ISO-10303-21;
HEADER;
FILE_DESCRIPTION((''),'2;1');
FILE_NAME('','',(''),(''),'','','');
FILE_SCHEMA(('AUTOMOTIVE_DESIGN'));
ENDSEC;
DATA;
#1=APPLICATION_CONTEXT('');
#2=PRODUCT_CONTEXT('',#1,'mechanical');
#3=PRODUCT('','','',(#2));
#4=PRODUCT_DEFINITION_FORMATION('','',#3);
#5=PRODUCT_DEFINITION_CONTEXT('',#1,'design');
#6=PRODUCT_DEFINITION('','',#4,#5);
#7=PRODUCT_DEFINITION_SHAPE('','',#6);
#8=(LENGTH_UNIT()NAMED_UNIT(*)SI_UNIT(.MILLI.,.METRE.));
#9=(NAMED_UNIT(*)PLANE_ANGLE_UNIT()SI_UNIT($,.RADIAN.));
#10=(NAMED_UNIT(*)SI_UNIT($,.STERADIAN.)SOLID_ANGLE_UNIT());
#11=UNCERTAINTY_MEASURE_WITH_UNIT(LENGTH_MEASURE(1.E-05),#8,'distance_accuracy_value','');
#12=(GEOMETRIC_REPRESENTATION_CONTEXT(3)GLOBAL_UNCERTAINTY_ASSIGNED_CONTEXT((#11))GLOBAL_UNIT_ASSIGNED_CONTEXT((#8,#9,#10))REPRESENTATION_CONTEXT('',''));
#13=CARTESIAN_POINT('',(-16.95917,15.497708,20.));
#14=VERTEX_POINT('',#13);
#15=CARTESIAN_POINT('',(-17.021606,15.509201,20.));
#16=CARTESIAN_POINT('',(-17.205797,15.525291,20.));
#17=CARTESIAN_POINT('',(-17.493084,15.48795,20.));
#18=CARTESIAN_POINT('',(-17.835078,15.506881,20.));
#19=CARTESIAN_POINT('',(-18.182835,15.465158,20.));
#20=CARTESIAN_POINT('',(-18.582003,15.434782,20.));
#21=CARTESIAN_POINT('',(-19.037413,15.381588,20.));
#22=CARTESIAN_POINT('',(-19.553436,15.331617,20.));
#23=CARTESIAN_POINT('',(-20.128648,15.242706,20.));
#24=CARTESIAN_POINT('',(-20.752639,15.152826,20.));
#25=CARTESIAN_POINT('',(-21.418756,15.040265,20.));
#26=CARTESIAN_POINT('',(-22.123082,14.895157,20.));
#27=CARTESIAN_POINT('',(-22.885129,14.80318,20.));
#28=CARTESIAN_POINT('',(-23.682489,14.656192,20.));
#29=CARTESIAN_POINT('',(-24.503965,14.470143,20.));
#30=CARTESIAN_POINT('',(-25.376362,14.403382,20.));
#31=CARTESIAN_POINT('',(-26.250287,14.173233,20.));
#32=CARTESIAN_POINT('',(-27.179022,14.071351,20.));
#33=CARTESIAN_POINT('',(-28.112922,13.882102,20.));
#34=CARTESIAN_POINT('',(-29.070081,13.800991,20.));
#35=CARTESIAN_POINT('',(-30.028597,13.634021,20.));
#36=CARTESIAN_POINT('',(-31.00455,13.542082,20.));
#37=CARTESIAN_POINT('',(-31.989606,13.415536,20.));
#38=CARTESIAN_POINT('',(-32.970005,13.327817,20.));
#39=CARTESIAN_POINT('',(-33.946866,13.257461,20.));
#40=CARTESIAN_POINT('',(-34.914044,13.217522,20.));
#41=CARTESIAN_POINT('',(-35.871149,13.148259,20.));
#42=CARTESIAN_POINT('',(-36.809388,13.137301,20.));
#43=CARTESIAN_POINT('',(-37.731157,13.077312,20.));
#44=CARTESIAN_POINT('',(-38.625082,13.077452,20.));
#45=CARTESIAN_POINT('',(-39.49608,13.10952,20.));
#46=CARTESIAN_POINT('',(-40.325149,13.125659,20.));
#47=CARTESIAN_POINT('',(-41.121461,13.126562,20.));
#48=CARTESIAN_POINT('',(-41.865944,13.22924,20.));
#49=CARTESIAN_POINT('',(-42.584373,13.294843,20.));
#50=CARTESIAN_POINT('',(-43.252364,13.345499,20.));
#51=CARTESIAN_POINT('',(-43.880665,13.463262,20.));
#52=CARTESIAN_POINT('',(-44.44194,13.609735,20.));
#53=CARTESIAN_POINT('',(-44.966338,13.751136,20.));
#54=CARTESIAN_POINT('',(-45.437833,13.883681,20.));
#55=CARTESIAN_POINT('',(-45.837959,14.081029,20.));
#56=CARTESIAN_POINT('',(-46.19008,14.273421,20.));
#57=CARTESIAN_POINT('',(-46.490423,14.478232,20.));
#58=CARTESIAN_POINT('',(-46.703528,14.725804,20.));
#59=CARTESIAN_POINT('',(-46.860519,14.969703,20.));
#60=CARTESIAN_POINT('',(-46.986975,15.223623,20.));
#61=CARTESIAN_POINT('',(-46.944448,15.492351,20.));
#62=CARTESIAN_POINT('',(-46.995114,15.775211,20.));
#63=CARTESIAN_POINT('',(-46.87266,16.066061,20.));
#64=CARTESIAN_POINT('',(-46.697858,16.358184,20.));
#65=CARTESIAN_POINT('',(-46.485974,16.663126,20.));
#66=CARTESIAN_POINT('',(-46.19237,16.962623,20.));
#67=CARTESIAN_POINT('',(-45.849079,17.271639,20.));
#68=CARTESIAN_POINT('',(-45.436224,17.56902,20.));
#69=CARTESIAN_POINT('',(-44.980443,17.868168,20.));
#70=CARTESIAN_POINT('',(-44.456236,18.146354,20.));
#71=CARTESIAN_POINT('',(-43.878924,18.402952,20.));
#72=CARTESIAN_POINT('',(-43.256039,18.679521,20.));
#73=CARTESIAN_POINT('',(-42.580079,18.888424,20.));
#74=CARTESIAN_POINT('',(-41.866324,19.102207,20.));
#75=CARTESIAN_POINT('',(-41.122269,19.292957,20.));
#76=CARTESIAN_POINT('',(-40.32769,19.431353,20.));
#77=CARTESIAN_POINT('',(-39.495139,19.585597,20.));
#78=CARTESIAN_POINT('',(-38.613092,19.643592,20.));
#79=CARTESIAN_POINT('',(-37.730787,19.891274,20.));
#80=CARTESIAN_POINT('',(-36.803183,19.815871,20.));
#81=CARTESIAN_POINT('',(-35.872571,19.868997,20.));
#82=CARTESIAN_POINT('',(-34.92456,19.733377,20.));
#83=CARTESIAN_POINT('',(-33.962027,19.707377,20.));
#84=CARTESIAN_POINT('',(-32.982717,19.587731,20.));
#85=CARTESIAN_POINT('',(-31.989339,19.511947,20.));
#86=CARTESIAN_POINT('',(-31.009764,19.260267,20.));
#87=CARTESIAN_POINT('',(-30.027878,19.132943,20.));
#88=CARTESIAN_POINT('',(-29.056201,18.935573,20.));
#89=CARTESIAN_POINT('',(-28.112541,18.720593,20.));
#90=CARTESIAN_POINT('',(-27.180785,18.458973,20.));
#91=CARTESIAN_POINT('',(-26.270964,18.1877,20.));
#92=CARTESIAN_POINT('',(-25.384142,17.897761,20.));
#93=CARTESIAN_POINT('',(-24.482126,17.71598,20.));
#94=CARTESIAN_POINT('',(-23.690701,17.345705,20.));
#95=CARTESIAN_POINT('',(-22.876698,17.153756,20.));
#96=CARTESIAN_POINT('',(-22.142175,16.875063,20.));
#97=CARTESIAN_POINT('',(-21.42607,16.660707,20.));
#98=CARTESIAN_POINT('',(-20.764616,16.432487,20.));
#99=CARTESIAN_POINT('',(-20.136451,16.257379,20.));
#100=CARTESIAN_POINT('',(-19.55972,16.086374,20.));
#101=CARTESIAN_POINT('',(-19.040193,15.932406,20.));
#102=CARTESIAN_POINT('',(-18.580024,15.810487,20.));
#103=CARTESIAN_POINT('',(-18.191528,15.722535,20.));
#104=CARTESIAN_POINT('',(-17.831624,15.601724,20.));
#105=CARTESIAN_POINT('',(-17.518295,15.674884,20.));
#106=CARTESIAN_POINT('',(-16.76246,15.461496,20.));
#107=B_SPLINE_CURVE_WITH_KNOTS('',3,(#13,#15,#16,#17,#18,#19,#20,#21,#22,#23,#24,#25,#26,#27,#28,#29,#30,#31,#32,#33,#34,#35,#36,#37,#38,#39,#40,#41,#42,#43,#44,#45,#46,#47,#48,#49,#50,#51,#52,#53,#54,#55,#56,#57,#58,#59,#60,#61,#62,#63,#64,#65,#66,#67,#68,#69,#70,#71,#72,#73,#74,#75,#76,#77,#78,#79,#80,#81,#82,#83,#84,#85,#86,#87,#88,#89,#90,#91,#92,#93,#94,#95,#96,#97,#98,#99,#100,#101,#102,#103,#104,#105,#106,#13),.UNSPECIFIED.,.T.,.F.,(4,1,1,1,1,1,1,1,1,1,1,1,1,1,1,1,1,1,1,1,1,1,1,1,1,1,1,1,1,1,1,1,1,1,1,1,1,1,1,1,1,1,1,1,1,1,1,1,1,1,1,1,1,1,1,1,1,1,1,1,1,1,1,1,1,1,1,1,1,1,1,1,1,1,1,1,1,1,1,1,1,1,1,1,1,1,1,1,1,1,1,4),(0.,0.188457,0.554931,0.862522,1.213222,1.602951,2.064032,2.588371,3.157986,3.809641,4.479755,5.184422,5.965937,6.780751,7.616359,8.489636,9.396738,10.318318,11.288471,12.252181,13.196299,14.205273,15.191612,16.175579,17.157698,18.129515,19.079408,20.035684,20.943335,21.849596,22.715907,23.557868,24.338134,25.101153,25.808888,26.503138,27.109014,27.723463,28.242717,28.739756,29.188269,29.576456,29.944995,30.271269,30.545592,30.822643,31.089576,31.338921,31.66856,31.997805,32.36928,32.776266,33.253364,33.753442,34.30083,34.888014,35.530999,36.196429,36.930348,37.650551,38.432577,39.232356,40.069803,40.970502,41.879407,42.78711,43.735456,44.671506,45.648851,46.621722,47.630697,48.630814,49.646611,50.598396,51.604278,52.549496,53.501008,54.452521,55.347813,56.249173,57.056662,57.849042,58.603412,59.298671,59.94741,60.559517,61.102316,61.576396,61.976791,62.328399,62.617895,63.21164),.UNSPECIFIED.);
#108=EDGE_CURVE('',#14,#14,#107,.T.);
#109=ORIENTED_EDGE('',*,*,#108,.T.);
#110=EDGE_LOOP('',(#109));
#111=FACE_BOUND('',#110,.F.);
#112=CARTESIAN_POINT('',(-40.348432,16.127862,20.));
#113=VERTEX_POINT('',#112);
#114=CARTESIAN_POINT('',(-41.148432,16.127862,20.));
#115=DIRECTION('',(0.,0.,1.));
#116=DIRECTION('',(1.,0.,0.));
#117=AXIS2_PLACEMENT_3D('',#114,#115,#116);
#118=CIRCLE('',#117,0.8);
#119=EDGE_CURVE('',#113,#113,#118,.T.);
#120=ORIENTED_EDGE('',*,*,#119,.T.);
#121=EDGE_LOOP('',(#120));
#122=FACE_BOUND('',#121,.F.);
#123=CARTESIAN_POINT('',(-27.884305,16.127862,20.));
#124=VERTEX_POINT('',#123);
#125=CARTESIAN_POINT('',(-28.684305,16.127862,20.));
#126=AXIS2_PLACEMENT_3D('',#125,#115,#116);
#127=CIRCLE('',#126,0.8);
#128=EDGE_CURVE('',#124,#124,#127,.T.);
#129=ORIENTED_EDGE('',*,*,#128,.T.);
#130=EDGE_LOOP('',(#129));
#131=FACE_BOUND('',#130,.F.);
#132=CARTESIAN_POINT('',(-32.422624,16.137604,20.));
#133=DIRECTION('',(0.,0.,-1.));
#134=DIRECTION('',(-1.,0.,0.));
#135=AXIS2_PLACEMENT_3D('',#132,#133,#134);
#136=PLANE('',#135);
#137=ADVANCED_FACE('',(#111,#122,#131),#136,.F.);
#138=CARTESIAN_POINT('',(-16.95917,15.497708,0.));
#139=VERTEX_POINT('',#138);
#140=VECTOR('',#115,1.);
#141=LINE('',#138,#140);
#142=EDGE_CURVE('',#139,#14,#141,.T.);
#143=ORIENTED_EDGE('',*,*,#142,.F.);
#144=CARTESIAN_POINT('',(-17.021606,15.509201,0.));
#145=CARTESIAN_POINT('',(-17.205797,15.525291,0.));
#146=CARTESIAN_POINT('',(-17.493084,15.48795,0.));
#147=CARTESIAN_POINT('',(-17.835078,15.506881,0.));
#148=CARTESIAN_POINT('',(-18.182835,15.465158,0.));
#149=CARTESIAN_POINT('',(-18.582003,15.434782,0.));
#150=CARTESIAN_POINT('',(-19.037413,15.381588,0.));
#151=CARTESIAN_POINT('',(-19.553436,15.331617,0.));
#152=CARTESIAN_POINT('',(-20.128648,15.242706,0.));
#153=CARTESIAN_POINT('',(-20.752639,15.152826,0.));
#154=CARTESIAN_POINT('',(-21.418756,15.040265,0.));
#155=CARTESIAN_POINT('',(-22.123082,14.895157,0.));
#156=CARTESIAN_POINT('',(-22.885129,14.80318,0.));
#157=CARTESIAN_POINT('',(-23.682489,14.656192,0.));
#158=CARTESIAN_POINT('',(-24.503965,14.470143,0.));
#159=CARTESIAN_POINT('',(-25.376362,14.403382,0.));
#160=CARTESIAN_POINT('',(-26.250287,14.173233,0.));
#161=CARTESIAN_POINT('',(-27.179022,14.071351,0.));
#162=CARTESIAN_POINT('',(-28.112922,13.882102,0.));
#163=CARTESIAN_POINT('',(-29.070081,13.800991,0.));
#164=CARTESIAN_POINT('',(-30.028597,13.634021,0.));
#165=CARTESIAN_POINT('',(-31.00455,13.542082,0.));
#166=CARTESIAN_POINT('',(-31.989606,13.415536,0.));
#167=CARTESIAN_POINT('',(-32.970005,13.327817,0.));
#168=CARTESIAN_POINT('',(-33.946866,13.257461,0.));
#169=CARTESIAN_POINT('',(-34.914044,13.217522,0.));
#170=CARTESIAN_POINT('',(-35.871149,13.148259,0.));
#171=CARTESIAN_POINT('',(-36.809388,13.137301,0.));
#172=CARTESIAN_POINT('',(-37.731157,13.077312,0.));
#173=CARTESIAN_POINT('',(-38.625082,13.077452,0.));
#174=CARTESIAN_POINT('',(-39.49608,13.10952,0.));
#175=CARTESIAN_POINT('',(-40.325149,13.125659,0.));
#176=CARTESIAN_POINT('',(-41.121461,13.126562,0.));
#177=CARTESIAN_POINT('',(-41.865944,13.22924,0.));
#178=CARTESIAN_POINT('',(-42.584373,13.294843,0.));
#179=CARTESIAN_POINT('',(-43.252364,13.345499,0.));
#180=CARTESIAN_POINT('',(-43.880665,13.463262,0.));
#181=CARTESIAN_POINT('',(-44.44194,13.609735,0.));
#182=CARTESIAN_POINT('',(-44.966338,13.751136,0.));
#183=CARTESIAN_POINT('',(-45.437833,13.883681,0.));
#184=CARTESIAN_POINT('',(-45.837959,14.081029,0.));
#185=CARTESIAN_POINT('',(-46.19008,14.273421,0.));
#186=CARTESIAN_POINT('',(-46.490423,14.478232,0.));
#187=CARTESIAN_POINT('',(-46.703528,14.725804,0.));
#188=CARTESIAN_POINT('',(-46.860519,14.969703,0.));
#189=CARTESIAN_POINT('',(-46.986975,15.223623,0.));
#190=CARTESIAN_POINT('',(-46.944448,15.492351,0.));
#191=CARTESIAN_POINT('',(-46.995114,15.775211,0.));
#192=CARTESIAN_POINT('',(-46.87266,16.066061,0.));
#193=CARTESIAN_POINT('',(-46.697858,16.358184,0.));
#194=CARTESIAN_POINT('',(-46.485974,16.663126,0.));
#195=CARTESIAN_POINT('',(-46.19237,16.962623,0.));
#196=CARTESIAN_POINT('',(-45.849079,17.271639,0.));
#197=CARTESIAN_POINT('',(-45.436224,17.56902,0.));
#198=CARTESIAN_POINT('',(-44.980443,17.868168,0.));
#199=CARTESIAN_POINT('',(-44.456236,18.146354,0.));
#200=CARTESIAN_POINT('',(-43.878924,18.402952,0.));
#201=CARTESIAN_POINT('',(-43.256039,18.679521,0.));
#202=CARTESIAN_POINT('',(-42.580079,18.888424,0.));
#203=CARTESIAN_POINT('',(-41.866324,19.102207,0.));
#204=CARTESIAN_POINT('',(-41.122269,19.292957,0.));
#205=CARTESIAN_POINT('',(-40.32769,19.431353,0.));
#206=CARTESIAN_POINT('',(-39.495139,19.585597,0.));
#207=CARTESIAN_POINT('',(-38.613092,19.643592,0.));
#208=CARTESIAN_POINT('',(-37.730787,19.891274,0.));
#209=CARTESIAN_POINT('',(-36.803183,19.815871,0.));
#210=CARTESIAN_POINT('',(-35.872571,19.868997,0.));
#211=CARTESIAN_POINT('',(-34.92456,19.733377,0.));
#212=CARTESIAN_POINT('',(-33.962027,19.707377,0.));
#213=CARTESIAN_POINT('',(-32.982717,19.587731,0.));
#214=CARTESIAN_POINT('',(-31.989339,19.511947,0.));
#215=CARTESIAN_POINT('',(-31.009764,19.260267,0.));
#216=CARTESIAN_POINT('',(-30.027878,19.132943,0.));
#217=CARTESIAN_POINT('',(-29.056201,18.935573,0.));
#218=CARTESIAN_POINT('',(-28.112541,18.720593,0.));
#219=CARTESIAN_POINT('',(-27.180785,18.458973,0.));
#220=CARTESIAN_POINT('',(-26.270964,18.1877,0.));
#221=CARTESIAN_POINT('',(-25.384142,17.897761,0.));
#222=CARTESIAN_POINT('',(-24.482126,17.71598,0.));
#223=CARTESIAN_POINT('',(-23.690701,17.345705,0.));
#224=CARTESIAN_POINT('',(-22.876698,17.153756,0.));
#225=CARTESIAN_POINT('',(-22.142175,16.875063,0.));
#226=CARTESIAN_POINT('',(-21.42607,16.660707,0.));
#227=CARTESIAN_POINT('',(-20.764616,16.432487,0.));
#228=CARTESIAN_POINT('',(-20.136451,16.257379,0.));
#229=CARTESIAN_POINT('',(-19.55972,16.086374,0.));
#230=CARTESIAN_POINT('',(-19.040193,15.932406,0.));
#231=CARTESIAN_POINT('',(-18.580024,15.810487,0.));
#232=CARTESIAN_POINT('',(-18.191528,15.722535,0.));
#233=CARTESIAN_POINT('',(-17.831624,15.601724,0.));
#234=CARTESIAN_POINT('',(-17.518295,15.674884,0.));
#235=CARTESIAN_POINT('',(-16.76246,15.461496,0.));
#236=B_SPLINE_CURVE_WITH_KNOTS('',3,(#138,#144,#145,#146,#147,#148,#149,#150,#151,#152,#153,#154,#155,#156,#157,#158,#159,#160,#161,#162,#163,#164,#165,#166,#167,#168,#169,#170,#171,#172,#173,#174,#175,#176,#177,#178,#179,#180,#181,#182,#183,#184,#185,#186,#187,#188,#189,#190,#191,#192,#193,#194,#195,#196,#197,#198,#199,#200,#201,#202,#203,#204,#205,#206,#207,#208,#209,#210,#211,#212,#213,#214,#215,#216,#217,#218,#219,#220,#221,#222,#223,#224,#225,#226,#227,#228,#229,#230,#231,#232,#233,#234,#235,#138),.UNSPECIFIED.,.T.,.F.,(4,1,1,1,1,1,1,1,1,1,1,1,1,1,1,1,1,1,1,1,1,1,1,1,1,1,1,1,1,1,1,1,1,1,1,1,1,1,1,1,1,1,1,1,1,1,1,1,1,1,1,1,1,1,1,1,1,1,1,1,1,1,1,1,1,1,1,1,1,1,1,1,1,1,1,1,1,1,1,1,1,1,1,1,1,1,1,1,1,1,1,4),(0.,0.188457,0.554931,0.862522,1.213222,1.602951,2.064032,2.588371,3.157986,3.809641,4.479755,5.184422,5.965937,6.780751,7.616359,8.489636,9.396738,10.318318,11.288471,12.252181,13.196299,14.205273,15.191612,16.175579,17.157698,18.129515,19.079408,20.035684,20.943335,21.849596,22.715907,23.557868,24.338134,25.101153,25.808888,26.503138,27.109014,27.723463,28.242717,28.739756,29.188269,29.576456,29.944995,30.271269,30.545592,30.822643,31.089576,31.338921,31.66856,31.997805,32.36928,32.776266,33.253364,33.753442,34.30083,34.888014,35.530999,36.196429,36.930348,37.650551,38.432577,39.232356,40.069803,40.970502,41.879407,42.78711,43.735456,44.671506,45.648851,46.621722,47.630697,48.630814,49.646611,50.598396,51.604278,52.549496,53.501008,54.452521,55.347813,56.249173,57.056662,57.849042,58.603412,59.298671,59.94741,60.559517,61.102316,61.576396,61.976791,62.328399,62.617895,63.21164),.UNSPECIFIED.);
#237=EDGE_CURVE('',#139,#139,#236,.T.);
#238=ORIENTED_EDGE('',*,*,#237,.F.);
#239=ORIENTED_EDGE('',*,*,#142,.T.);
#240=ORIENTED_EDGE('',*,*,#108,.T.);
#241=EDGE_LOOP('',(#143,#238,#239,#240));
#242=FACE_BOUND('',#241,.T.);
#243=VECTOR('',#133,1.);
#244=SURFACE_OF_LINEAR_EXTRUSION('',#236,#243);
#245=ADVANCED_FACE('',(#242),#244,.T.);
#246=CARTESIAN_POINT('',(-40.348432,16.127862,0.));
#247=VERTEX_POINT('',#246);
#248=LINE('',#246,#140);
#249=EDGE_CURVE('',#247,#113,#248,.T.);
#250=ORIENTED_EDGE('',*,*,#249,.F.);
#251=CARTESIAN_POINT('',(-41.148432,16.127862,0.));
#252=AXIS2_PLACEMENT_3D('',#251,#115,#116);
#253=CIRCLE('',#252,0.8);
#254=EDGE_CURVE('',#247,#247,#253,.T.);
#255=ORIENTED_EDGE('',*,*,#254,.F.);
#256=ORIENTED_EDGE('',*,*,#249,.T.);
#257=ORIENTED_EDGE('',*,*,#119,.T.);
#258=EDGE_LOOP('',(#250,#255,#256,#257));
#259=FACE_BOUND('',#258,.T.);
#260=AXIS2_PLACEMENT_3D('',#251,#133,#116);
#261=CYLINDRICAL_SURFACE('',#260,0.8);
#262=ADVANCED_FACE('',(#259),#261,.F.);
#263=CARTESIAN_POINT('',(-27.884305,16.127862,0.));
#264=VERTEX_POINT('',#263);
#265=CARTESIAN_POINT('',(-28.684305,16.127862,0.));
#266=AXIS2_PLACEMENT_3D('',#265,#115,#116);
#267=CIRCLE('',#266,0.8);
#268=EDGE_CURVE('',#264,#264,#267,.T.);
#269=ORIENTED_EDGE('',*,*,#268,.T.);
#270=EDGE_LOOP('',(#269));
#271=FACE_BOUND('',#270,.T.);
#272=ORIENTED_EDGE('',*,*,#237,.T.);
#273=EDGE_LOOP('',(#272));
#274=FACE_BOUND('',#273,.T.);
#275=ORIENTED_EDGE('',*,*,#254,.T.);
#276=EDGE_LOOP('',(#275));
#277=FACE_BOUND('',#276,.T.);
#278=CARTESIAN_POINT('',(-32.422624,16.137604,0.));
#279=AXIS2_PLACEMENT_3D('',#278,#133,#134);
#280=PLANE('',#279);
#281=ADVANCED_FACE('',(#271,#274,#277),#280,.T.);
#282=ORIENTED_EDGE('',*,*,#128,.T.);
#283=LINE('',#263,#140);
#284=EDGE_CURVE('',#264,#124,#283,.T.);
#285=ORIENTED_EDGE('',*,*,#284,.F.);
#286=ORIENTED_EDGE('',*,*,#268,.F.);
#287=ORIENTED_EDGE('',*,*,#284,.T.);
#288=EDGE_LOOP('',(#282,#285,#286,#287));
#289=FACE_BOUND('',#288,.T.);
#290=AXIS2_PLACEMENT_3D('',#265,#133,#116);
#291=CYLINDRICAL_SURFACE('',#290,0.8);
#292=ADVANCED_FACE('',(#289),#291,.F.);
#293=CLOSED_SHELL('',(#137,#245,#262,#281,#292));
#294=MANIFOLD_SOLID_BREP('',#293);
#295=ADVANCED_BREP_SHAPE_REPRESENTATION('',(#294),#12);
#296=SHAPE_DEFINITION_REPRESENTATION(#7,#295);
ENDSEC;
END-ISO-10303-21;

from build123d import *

# Parameters (mm, degrees)
F0_R     = 0.8
F1_DEPTH = 20


with BuildPart() as f1:
    # F0 (on Top) → F1 (new body)
    with BuildSketch(Plane.XY):
        with BuildLine():
            add(Edge.make_bspline(
                [(-16.95917, 15.497708), (-17.021606, 15.509201), (-17.205797, 15.525291), (-17.493084, 15.48795), (-17.835078, 15.506881), (-18.182835, 15.465158), (-18.582003, 15.434782), (-19.037413, 15.381588), (-19.553436, 15.331617), (-20.128648, 15.242706), (-20.752639, 15.152826), (-21.418756, 15.040265), (-22.123082, 14.895157), (-22.885129, 14.80318), (-23.682489, 14.656192), (-24.503965, 14.470143), (-25.376362, 14.403382), (-26.250287, 14.173233), (-27.179022, 14.071351), (-28.112922, 13.882102), (-29.070081, 13.800991), (-30.028597, 13.634021), (-31.00455, 13.542082), (-31.989606, 13.415536), (-32.970005, 13.327817), (-33.946866, 13.257461), (-34.914044, 13.217522), (-35.871149, 13.148259), (-36.809388, 13.137301), (-37.731157, 13.077312), (-38.625082, 13.077452), (-39.49608, 13.10952), (-40.325149, 13.125659), (-41.121461, 13.126562), (-41.865944, 13.22924), (-42.584373, 13.294843), (-43.252364, 13.345499), (-43.880665, 13.463262), (-44.44194, 13.609735), (-44.966338, 13.751136), (-45.437833, 13.883681), (-45.837959, 14.081029), (-46.19008, 14.273421), (-46.490423, 14.478232), (-46.703528, 14.725804), (-46.860519, 14.969703), (-46.986975, 15.223623), (-46.944448, 15.492351), (-46.995114, 15.775211), (-46.87266, 16.066061), (-46.697858, 16.358184), (-46.485974, 16.663126), (-46.19237, 16.962623), (-45.849079, 17.271639), (-45.436224, 17.56902), (-44.980443, 17.868168), (-44.456236, 18.146354), (-43.878924, 18.402952), (-43.256039, 18.679521), (-42.580079, 18.888424), (-41.866324, 19.102207), (-41.122269, 19.292957), (-40.32769, 19.431353), (-39.495139, 19.585597), (-38.613092, 19.643592), (-37.730787, 19.891274), (-36.803183, 19.815871), (-35.872571, 19.868997), (-34.92456, 19.733377), (-33.962027, 19.707377), (-32.982717, 19.587731), (-31.989339, 19.511947), (-31.009764, 19.260267), (-30.027878, 19.132943), (-29.056201, 18.935573), (-28.112541, 18.720593), (-27.180785, 18.458973), (-26.270964, 18.1877), (-25.384142, 17.897761), (-24.482126, 17.71598), (-23.690701, 17.345705), (-22.876698, 17.153756), (-22.142175, 16.875063), (-21.42607, 16.660707), (-20.764616, 16.432487), (-20.136451, 16.257379), (-19.55972, 16.086374), (-19.040193, 15.932406), (-18.580024, 15.810487), (-18.191528, 15.722535), (-17.831624, 15.601724), (-17.518295, 15.674884), (-16.76246, 15.461496), (-16.95917, 15.497708)],
                knots=[0, 0, 0, 0, 0.188457, 0.554931, 0.862522, 1.213222, 1.602951, 2.064032, 2.588371, 3.157986, 3.809641, 4.479755, 5.184422, 5.965937, 6.780751, 7.616359, 8.489636, 9.396738, 10.318318, 11.288471, 12.252181, 13.196299, 14.205273, 15.191612, 16.175579, 17.157698, 18.129515, 19.079408, 20.035684, 20.943335, 21.849596, 22.715907, 23.557868, 24.338134, 25.101153, 25.808888, 26.503138, 27.109014, 27.723463, 28.242717, 28.739756, 29.188269, 29.576456, 29.944995, 30.271269, 30.545592, 30.822643, 31.089576, 31.338921, 31.66856, 31.997805, 32.36928, 32.776266, 33.253364, 33.753442, 34.30083, 34.888014, 35.530999, 36.196429, 36.930348, 37.650551, 38.432577, 39.232356, 40.069803, 40.970502, 41.879407, 42.78711, 43.735456, 44.671506, 45.648851, 46.621722, 47.630697, 48.630814, 49.646611, 50.598396, 51.604278, 52.549496, 53.501008, 54.452521, 55.347813, 56.249173, 57.056662, 57.849042, 58.603412, 59.298671, 59.94741, 60.559517, 61.102316, 61.576396, 61.976791, 62.328399, 62.617895, 63.21164, 63.21164, 63.21164, 63.21164], degree=3))
        make_face()
        with Locations((-41.148432, 16.127862)):
            Circle(F0_R, mode=Mode.SUBTRACT)
        with Locations((-28.684305, 16.127862)):
            Circle(F0_R, mode=Mode.SUBTRACT)
    extrude(amount=F1_DEPTH)


solid = f1.part
